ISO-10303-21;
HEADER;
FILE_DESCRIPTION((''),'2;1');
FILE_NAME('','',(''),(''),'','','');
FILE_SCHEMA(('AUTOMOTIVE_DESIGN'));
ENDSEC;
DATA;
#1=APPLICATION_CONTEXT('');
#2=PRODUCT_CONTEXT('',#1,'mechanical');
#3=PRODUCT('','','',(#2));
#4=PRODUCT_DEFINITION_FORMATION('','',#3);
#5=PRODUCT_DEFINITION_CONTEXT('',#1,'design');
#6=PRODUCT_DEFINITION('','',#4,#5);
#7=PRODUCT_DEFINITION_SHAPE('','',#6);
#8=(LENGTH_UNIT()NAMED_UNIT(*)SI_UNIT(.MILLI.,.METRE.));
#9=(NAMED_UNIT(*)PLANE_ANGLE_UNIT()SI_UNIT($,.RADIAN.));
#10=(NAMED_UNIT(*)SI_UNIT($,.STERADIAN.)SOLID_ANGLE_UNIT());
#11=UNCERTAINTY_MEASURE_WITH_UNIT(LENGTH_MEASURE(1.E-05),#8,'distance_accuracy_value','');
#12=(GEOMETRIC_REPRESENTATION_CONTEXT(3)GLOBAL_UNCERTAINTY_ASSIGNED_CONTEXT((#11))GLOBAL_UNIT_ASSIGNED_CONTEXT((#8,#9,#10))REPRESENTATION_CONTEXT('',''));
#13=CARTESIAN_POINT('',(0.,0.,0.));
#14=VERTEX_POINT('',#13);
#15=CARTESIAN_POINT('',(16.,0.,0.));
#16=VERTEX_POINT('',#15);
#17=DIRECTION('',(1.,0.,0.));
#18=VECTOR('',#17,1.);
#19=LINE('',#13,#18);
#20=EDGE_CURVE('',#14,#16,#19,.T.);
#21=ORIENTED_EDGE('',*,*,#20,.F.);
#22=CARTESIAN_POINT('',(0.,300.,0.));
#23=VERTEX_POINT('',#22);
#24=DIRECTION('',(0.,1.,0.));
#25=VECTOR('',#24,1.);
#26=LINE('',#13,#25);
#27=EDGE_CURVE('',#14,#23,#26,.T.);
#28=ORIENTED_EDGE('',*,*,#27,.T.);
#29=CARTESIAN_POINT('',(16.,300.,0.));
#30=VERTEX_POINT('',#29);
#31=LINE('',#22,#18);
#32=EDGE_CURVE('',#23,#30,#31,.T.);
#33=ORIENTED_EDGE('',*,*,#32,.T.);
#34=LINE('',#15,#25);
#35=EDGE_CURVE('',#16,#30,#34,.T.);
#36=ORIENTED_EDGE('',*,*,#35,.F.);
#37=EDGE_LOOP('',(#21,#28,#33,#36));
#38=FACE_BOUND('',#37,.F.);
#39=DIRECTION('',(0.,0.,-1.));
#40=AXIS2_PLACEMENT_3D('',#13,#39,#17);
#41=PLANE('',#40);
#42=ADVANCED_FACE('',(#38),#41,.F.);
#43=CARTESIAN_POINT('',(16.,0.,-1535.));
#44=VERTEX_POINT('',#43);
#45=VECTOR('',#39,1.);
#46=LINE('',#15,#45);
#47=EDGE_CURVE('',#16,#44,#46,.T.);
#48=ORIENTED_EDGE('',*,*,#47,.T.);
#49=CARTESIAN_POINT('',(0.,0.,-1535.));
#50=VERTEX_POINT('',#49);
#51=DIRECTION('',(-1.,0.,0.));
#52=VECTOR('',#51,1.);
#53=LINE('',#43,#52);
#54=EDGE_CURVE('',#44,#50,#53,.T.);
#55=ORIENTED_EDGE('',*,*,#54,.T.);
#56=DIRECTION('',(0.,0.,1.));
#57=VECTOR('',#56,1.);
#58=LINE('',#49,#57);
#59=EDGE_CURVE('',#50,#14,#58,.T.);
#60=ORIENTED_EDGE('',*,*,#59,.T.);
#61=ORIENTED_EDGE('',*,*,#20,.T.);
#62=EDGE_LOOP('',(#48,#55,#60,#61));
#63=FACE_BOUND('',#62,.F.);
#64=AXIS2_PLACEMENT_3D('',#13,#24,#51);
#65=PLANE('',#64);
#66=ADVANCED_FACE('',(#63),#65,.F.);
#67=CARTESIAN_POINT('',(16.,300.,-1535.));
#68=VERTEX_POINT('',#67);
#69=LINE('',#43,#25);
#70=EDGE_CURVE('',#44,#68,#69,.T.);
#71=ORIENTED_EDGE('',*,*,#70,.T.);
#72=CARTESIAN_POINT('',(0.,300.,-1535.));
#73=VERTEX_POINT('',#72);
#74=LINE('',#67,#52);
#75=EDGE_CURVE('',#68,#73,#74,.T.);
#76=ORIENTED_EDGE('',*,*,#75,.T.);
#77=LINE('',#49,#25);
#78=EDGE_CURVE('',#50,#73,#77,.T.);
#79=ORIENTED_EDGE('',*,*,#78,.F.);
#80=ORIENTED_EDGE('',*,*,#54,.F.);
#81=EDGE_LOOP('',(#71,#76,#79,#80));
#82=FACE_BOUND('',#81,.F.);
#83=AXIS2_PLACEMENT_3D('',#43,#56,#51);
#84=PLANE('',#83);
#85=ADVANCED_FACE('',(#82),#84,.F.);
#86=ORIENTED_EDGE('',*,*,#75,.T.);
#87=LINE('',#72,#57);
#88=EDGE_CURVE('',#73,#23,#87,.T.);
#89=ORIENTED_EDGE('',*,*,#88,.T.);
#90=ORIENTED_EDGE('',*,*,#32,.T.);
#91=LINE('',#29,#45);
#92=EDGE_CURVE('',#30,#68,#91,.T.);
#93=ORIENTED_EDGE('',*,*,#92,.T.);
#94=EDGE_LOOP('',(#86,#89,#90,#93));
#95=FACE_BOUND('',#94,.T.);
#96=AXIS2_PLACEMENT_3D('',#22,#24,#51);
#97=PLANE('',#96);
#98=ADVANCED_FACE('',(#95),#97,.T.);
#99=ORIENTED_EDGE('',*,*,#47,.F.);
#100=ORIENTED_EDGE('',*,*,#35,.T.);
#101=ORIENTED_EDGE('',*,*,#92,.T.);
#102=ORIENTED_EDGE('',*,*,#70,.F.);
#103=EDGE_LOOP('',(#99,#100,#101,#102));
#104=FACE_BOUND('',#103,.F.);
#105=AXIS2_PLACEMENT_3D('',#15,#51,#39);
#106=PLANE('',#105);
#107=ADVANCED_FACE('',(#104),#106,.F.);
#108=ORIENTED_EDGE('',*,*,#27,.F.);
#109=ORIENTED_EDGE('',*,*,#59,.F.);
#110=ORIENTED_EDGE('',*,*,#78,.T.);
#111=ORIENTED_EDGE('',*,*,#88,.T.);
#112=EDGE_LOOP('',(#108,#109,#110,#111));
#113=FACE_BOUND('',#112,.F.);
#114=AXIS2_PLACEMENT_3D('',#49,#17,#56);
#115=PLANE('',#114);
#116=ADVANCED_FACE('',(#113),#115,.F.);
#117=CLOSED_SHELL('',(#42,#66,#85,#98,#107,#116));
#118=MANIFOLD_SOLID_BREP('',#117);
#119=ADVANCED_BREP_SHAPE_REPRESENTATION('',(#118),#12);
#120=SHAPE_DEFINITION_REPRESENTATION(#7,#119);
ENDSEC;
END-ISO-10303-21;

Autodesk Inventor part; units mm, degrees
ref_plane "YZ Plane" through (0, 0, 0) normal (1, 0, 0) x (0, 1, 0)
ref_plane "XZ Plane" through (0, 0, 0) normal (0, 1, 0) x (-1, 0, 0)
ref_plane "XY Plane" through (0, 0, 0) normal (0, 0, 1) x (1, 0, 0)
sketch "Boceto1" plane through (0, 0, 0) normal (0, 1, 0) x (-1, 0, 0)
  line L0 (0, 0) -> (-16, 0)
  line L1 (-16, 0) -> (-16, -1535)
  line L2 (-16, -1535) -> (0, -1535)
  line L3 (0, -1535) -> (0, 0)
  dimension "d0" = 16
  dimension "d1" = 1535
extrude "Extrusión1" add sketch "Boceto1" along normal blind 300
properties part number "TableroVertical1"
